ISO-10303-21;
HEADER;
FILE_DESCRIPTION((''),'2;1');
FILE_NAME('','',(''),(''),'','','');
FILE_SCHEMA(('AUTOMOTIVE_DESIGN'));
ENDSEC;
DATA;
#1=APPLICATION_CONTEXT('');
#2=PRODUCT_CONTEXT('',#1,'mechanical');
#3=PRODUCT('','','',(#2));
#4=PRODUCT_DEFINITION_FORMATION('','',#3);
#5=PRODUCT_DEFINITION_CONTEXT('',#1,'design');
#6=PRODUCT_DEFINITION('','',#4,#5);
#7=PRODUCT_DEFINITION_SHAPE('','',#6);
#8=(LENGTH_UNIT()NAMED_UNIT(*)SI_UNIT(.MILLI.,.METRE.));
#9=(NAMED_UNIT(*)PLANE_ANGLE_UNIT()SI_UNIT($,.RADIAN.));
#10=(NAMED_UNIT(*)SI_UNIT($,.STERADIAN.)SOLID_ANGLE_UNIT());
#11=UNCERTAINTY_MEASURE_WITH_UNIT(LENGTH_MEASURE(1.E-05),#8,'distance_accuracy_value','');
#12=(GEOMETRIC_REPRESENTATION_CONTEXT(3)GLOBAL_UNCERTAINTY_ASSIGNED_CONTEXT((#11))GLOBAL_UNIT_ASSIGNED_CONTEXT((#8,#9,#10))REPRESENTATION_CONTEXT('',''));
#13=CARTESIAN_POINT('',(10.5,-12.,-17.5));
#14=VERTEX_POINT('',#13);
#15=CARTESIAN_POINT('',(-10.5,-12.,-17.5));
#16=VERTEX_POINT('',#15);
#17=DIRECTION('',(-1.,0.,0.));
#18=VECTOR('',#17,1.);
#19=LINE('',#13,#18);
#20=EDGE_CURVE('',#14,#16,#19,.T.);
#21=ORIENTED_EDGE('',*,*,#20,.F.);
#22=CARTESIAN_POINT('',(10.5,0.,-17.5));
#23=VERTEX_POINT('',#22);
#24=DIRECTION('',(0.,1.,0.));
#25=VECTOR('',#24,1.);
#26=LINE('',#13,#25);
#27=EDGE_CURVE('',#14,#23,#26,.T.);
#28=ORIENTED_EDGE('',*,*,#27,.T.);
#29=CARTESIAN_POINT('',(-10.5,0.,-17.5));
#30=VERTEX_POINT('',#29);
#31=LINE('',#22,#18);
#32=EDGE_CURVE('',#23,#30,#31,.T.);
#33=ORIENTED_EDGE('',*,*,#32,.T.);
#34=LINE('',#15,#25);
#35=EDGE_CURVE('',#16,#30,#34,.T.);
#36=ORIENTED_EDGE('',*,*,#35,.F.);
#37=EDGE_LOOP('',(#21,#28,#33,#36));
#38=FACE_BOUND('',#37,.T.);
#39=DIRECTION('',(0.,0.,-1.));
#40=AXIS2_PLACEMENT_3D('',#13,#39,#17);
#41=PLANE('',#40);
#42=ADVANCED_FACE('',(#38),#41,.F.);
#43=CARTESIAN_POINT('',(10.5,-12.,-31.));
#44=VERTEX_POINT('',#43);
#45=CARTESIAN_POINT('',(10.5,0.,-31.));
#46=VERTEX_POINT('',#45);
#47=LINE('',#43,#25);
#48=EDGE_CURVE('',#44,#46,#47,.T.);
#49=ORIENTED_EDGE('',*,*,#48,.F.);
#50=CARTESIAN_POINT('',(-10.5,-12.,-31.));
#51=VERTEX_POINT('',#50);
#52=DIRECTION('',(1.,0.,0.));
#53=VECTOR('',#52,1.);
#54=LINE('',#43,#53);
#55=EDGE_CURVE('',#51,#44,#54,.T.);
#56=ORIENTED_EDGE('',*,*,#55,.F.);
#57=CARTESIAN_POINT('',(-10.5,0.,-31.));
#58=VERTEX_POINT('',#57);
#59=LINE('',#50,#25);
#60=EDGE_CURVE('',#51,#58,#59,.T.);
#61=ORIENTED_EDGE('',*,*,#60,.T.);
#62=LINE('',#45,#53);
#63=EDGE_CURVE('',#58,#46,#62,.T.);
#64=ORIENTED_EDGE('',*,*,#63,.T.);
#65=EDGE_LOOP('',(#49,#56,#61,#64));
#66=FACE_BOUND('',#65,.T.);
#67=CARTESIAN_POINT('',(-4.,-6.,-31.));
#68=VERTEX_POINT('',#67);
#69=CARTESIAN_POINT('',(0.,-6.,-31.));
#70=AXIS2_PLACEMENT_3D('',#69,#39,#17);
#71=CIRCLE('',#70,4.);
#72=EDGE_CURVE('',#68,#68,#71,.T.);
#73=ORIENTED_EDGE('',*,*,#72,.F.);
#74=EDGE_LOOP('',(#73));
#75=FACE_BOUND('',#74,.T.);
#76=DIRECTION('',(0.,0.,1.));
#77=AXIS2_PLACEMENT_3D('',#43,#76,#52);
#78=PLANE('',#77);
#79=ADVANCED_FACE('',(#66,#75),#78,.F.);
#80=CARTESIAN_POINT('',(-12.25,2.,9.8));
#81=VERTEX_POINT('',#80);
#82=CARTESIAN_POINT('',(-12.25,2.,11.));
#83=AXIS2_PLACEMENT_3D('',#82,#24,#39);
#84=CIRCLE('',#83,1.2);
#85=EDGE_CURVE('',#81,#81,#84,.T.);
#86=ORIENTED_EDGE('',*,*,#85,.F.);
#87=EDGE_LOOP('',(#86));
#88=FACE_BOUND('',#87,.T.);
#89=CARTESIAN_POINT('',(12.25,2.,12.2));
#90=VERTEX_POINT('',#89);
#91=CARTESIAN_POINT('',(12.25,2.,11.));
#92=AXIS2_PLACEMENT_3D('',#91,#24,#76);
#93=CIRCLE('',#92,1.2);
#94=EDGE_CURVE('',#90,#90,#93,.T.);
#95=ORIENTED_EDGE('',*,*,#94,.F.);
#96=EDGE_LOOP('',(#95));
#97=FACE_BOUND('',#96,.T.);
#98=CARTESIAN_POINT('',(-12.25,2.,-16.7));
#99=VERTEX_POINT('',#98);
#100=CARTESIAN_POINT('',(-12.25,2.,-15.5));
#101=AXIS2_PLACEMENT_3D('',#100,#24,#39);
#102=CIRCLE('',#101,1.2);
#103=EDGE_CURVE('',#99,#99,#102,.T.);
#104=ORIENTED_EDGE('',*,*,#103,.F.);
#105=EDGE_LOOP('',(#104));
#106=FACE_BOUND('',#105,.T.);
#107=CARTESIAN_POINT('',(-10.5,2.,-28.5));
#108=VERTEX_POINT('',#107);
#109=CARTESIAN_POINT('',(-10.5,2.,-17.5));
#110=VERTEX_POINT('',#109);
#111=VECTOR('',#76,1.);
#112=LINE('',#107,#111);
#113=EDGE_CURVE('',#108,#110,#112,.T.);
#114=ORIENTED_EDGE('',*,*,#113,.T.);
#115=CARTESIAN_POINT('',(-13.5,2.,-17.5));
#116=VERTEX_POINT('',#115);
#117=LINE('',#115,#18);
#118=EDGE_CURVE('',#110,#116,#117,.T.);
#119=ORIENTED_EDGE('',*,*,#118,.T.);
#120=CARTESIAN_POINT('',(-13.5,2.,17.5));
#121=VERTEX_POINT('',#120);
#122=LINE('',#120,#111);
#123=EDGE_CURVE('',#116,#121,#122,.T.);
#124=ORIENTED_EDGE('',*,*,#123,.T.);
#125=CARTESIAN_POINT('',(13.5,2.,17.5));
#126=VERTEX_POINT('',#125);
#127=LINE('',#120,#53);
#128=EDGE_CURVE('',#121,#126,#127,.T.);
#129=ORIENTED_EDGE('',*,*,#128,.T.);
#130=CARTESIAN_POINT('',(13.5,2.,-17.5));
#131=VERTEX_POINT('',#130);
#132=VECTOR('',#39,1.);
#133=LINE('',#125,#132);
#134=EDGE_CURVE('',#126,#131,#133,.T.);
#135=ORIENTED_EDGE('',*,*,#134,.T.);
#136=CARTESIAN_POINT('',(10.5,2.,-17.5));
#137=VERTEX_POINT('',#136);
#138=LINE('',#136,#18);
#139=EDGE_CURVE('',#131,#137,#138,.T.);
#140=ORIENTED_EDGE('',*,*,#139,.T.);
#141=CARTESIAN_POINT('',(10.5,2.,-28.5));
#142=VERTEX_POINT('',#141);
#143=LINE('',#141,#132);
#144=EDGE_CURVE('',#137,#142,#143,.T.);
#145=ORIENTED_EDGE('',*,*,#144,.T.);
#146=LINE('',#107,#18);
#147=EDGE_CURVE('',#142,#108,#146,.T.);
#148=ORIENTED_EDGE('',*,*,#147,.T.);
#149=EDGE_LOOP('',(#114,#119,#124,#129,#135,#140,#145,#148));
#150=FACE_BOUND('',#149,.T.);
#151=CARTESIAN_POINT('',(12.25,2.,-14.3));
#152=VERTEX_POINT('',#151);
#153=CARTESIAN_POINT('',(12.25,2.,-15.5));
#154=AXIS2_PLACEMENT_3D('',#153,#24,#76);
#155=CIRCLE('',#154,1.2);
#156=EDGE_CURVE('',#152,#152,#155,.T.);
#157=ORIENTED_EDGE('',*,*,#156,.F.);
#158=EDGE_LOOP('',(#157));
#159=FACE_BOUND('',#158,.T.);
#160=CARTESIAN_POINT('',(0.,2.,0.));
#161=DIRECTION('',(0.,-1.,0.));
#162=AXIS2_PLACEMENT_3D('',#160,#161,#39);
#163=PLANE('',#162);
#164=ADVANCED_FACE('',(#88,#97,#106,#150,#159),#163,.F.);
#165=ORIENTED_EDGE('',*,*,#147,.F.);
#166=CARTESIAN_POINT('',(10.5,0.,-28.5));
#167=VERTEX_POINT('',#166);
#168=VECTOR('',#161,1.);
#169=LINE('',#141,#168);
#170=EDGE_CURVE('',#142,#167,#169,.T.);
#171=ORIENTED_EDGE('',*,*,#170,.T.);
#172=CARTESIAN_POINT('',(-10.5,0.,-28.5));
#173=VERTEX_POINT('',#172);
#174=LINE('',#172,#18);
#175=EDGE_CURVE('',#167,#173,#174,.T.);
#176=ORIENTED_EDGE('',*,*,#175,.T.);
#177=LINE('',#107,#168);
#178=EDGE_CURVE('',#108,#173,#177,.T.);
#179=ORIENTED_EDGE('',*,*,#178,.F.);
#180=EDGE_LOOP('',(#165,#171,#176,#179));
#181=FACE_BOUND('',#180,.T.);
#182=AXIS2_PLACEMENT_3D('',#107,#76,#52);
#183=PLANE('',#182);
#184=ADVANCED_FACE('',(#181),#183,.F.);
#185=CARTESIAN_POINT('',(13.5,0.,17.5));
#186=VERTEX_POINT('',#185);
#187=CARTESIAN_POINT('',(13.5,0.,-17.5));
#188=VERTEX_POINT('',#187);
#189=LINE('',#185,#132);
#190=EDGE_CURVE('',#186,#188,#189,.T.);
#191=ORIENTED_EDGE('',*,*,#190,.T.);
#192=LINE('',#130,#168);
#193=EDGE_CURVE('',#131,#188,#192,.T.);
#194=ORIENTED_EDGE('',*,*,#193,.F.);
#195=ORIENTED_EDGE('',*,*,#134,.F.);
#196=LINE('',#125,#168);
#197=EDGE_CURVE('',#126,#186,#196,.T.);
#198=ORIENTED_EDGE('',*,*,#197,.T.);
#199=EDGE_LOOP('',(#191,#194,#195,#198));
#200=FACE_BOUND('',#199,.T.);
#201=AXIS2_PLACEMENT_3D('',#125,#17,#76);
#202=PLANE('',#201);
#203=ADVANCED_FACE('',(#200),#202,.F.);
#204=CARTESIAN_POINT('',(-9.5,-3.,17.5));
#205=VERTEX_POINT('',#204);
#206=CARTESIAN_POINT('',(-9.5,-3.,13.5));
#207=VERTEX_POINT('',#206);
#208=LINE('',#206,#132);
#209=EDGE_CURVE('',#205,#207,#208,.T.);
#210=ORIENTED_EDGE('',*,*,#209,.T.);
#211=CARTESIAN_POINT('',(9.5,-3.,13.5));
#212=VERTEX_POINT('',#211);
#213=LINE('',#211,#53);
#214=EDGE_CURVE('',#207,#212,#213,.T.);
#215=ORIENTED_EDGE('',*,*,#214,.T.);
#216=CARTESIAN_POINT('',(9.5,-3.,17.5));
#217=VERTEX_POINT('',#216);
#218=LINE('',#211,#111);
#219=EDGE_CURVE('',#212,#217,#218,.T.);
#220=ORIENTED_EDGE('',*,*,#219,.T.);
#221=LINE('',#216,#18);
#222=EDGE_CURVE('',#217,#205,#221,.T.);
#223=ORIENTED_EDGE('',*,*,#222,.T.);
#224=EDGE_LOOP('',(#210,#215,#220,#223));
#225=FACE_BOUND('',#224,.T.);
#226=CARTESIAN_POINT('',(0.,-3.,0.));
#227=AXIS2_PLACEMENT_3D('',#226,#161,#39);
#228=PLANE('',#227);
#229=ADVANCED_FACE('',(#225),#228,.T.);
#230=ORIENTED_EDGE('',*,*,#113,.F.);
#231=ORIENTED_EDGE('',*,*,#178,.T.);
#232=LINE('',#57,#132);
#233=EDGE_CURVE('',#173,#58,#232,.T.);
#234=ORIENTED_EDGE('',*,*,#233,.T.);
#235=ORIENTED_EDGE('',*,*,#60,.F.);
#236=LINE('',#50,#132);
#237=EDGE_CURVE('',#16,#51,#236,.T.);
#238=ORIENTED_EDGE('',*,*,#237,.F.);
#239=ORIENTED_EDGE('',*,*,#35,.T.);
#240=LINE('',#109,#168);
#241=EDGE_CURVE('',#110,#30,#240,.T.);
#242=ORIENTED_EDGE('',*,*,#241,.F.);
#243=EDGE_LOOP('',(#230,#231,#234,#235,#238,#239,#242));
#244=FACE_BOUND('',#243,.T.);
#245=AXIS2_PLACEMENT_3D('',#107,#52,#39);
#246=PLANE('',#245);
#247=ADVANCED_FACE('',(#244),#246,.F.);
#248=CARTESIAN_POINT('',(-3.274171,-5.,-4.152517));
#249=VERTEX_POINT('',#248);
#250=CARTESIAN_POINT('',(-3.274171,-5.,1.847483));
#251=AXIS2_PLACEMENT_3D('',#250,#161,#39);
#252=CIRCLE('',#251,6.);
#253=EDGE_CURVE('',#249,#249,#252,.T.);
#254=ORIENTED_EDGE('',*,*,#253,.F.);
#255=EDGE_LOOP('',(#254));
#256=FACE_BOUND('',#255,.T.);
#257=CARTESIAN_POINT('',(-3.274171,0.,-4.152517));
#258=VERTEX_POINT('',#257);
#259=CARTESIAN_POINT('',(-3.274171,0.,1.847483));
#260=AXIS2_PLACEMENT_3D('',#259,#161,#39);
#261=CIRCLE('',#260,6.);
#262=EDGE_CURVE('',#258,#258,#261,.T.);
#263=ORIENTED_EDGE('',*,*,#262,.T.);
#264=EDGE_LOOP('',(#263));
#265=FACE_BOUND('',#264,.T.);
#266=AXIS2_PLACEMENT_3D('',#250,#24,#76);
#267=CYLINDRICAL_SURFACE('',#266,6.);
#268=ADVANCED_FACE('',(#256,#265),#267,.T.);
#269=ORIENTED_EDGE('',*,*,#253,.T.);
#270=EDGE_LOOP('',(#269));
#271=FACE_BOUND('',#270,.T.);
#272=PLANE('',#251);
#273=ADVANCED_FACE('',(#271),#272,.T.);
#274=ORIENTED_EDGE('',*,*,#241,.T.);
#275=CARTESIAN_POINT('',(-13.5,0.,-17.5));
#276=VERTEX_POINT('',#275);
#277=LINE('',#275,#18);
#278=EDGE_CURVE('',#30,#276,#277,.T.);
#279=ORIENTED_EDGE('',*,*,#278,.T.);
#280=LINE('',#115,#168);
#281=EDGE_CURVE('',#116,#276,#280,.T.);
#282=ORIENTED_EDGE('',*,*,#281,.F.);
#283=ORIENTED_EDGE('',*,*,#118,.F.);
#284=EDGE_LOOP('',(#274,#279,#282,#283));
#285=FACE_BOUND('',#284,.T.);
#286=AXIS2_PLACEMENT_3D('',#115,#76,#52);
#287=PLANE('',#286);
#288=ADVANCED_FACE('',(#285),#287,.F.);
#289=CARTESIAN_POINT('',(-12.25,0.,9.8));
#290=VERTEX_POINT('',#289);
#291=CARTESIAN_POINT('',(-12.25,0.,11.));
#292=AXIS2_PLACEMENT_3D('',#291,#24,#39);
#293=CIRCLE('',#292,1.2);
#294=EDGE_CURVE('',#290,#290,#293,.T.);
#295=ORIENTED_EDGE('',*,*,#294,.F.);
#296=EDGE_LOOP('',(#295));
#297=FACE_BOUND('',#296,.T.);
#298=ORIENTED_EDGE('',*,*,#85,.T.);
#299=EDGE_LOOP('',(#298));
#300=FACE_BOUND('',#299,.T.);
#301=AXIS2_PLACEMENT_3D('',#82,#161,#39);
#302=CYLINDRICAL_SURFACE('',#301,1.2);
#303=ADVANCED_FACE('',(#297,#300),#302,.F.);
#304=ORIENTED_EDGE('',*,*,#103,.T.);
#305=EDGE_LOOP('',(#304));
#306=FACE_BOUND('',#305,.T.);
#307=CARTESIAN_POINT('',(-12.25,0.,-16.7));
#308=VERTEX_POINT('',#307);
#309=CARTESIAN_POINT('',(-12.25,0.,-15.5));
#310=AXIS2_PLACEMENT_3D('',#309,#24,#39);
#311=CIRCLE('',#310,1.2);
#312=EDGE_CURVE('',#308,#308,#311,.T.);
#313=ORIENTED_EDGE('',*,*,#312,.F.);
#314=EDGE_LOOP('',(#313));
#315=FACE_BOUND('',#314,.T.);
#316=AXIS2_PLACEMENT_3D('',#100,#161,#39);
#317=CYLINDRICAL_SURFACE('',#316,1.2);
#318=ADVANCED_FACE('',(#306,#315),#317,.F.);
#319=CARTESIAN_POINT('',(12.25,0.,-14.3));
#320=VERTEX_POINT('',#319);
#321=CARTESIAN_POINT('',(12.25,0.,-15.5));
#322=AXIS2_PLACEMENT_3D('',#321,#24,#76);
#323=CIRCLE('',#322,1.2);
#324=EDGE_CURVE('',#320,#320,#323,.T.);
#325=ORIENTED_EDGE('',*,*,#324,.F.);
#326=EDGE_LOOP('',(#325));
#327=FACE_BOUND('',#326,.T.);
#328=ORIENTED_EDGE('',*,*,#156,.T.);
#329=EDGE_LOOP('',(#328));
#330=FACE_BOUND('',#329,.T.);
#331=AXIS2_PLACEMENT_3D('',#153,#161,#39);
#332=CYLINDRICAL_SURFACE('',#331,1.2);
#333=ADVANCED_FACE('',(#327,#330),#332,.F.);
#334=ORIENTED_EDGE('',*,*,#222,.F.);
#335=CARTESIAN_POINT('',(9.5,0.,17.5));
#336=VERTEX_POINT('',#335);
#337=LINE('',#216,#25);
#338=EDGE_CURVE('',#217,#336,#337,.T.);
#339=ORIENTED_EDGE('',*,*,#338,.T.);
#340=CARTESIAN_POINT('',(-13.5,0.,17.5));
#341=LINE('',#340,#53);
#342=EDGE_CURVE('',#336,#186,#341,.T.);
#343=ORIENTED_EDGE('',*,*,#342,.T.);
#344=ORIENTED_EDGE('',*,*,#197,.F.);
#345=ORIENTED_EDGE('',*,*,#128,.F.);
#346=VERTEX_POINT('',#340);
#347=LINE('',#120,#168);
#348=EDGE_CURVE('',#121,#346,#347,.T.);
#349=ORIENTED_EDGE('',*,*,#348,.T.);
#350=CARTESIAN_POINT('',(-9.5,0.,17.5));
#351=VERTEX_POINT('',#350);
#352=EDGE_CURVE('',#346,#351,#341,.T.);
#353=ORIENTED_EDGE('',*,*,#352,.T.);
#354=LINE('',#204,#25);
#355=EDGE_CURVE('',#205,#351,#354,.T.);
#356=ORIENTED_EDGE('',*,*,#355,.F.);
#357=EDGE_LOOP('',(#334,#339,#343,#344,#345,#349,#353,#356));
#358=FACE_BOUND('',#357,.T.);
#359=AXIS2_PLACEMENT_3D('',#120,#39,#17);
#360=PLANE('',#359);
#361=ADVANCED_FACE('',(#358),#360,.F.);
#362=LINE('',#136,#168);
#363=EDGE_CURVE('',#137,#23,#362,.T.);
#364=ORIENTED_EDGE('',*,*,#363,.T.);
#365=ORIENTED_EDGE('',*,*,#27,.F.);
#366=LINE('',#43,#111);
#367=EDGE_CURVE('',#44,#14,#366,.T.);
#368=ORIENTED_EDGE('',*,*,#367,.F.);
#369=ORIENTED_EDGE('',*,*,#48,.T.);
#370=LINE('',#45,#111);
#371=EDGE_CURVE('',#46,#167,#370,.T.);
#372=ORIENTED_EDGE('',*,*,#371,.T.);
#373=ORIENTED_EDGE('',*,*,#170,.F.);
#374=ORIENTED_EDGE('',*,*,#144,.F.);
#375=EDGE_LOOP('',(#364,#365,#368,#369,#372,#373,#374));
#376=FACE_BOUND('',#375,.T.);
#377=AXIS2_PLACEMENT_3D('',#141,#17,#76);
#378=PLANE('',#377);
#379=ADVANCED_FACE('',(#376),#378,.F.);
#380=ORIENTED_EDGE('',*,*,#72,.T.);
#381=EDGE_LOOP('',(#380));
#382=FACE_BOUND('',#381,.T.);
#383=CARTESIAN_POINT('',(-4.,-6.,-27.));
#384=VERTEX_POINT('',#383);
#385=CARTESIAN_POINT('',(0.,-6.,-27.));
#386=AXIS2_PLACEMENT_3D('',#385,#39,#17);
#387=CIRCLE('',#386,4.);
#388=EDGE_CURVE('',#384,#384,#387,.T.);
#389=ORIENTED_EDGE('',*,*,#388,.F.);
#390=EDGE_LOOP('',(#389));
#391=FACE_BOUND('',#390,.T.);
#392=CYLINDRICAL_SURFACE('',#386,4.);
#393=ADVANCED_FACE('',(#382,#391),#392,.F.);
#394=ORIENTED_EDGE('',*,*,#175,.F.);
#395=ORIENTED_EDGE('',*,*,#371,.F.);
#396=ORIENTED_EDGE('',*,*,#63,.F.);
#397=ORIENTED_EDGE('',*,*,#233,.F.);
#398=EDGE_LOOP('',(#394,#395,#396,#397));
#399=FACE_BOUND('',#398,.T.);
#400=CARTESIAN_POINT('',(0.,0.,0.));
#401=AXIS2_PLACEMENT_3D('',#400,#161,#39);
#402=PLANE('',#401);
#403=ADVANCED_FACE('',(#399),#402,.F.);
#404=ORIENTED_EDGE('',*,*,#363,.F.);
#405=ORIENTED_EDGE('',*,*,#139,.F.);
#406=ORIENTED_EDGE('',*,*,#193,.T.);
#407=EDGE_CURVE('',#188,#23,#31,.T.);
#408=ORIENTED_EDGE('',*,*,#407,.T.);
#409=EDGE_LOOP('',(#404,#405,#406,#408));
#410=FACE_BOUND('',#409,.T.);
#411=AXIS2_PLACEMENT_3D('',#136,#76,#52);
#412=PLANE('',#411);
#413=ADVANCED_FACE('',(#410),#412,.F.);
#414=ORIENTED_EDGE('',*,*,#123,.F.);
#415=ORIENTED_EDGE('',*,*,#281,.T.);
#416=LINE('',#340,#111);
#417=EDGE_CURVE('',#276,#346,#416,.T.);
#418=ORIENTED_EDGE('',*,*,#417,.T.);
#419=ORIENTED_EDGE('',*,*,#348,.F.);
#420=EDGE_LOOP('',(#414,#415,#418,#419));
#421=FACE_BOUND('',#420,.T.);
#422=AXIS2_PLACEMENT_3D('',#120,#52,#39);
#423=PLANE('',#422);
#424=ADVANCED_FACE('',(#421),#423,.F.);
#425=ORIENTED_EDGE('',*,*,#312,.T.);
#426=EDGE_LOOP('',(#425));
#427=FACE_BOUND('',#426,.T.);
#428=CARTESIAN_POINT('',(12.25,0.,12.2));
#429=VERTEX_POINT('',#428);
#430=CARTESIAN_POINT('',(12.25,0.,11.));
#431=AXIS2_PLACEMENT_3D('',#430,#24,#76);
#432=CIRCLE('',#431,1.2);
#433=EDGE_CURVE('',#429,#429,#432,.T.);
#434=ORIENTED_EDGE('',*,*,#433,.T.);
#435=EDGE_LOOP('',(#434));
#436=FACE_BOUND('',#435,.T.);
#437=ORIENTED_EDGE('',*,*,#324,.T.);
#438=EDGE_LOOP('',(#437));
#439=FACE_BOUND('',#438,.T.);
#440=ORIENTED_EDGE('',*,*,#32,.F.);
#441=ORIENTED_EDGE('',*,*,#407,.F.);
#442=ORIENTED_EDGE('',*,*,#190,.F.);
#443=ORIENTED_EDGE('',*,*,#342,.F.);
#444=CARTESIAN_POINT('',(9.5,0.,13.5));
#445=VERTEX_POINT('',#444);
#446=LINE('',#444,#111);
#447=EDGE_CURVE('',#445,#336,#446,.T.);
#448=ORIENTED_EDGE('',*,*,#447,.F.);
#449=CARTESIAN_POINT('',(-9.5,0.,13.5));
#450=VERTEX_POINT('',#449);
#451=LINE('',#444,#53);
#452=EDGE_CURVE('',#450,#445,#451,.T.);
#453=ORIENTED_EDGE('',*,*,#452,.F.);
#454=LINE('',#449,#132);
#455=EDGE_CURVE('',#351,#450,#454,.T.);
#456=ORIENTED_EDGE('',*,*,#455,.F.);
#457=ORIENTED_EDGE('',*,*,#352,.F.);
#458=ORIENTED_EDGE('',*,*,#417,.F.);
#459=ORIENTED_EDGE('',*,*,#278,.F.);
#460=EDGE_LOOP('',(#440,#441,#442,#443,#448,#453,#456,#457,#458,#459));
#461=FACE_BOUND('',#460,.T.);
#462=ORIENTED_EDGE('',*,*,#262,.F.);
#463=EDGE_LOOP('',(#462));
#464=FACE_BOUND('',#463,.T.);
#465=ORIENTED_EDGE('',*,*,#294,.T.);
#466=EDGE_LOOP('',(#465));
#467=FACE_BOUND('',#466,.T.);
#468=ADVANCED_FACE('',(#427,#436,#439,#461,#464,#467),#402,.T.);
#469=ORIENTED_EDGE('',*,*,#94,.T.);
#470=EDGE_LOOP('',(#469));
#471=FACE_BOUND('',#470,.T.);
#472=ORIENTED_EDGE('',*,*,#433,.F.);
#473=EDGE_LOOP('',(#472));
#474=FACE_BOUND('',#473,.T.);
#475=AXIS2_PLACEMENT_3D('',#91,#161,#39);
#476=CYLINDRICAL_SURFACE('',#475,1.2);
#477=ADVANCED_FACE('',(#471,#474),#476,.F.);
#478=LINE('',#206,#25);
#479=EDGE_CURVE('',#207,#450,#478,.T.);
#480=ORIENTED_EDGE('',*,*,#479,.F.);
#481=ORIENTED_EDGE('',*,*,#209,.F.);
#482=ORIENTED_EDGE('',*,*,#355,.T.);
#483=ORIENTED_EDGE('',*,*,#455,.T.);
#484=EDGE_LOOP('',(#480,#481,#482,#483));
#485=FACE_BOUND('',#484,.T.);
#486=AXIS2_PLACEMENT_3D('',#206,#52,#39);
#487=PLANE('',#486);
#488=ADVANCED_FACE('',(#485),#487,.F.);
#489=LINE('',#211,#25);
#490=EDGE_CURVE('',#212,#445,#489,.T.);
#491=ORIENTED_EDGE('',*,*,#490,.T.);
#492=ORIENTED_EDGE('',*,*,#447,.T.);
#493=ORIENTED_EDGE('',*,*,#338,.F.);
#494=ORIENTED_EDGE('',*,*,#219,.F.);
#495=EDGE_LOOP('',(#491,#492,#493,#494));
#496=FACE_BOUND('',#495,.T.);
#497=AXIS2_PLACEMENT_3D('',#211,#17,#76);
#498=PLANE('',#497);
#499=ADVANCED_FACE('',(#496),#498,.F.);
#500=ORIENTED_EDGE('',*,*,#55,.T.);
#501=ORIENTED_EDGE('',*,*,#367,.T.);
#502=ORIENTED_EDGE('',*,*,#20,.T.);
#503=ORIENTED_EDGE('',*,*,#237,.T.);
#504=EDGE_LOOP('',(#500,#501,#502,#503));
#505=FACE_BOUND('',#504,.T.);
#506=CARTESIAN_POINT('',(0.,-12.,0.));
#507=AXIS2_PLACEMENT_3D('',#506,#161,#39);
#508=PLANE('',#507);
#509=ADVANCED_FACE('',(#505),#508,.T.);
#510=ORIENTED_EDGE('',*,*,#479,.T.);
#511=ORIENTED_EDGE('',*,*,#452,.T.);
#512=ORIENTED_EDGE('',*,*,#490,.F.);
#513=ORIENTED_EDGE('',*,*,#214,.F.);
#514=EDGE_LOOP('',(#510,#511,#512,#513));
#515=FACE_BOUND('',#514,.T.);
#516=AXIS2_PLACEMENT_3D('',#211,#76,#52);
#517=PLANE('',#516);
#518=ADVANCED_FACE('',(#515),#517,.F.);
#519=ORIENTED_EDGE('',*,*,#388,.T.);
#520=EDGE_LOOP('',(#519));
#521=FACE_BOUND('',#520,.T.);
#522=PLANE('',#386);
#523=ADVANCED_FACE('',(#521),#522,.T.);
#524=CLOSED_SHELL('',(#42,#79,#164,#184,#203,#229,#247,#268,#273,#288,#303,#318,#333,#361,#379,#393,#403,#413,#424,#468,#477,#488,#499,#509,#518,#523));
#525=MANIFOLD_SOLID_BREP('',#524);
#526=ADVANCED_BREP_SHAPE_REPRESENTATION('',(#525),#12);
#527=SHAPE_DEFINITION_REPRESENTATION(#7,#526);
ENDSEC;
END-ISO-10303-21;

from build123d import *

# Parameters (mm, degrees)
SKETCH_1_R          = 1.2
EXTRUDE_1_DEPTH     = 2
SKETCH_2_W          = 21
SKETCH_2_H          = 13.5
EXTRUDE_2_DEPTH     = 12
SKETCH_3_R          = 4
CUT_EXTRUDE_1_DEPTH = 4
SKETCH_4_W          = 19
SKETCH_4_H          = 4
EXTRUDE_3_DEPTH     = 3
SKETCH_5_R          = 6
EXTRUDE_4_DEPTH     = 5


with BuildPart() as part:
    # 草图1 → 凸台-拉伸1 (new body)
    with BuildSketch(Plane(origin=(0, 0, 0), x_dir=(1, 0, 0), z_dir=(0, 1, 0))):
        Polygon((10.5, 17.5), (13.5, 17.5), (13.5, -17.5), (-13.5, -17.5), (-13.5, 17.5), (-10.5, 17.5), (-10.5, 28.5), (10.5, 28.5), align=None)
        with Locations(Location((12.25, -11, 0), (0, 0, 270))):
            Circle(SKETCH_1_R, mode=Mode.SUBTRACT)
        with Locations(Location((12.25, 15.5, 0), (0, 0, 270))):
            Circle(SKETCH_1_R, mode=Mode.SUBTRACT)
        with Locations(Location((-12.25, 15.5, 0), (0, 0, 90))):
            Circle(SKETCH_1_R, mode=Mode.SUBTRACT)
        with Locations(Location((-12.25, -11, 0), (0, 0, 90))):
            Circle(SKETCH_1_R, mode=Mode.SUBTRACT)
    extrude(amount=EXTRUDE_1_DEPTH)

    # 草图2 → 凸台-拉伸2 (add)
    with BuildSketch(Plane.XZ):
        with Locations((0, -24.25)):
            Rectangle(SKETCH_2_W, SKETCH_2_H)
    extrude(amount=EXTRUDE_2_DEPTH)

    # 草图3 → 切除-拉伸1 (cut)
    with BuildSketch(Plane(origin=(0, 0, -31), x_dir=(-1, 0, 0), z_dir=(0, 0, -1))):
        with Locations((0, -6)):
            Circle(SKETCH_3_R)
    extrude(amount=-CUT_EXTRUDE_1_DEPTH, mode=Mode.SUBTRACT)

    # 草图4 → 凸台-拉伸3 (add)
    with BuildSketch(Plane.XZ):
        with Locations((0, 15.5)):
            Rectangle(SKETCH_4_W, SKETCH_4_H)
    extrude(amount=EXTRUDE_3_DEPTH)

    # 草图5 → 凸台-拉伸4 (add)
    with BuildSketch(Plane.XZ):
        with Locations(Location((-3.274170516, 1.847483042, 0), (0, 0, 270))):
            Circle(SKETCH_5_R)
    extrude(amount=EXTRUDE_4_DEPTH)


solid = part.part
